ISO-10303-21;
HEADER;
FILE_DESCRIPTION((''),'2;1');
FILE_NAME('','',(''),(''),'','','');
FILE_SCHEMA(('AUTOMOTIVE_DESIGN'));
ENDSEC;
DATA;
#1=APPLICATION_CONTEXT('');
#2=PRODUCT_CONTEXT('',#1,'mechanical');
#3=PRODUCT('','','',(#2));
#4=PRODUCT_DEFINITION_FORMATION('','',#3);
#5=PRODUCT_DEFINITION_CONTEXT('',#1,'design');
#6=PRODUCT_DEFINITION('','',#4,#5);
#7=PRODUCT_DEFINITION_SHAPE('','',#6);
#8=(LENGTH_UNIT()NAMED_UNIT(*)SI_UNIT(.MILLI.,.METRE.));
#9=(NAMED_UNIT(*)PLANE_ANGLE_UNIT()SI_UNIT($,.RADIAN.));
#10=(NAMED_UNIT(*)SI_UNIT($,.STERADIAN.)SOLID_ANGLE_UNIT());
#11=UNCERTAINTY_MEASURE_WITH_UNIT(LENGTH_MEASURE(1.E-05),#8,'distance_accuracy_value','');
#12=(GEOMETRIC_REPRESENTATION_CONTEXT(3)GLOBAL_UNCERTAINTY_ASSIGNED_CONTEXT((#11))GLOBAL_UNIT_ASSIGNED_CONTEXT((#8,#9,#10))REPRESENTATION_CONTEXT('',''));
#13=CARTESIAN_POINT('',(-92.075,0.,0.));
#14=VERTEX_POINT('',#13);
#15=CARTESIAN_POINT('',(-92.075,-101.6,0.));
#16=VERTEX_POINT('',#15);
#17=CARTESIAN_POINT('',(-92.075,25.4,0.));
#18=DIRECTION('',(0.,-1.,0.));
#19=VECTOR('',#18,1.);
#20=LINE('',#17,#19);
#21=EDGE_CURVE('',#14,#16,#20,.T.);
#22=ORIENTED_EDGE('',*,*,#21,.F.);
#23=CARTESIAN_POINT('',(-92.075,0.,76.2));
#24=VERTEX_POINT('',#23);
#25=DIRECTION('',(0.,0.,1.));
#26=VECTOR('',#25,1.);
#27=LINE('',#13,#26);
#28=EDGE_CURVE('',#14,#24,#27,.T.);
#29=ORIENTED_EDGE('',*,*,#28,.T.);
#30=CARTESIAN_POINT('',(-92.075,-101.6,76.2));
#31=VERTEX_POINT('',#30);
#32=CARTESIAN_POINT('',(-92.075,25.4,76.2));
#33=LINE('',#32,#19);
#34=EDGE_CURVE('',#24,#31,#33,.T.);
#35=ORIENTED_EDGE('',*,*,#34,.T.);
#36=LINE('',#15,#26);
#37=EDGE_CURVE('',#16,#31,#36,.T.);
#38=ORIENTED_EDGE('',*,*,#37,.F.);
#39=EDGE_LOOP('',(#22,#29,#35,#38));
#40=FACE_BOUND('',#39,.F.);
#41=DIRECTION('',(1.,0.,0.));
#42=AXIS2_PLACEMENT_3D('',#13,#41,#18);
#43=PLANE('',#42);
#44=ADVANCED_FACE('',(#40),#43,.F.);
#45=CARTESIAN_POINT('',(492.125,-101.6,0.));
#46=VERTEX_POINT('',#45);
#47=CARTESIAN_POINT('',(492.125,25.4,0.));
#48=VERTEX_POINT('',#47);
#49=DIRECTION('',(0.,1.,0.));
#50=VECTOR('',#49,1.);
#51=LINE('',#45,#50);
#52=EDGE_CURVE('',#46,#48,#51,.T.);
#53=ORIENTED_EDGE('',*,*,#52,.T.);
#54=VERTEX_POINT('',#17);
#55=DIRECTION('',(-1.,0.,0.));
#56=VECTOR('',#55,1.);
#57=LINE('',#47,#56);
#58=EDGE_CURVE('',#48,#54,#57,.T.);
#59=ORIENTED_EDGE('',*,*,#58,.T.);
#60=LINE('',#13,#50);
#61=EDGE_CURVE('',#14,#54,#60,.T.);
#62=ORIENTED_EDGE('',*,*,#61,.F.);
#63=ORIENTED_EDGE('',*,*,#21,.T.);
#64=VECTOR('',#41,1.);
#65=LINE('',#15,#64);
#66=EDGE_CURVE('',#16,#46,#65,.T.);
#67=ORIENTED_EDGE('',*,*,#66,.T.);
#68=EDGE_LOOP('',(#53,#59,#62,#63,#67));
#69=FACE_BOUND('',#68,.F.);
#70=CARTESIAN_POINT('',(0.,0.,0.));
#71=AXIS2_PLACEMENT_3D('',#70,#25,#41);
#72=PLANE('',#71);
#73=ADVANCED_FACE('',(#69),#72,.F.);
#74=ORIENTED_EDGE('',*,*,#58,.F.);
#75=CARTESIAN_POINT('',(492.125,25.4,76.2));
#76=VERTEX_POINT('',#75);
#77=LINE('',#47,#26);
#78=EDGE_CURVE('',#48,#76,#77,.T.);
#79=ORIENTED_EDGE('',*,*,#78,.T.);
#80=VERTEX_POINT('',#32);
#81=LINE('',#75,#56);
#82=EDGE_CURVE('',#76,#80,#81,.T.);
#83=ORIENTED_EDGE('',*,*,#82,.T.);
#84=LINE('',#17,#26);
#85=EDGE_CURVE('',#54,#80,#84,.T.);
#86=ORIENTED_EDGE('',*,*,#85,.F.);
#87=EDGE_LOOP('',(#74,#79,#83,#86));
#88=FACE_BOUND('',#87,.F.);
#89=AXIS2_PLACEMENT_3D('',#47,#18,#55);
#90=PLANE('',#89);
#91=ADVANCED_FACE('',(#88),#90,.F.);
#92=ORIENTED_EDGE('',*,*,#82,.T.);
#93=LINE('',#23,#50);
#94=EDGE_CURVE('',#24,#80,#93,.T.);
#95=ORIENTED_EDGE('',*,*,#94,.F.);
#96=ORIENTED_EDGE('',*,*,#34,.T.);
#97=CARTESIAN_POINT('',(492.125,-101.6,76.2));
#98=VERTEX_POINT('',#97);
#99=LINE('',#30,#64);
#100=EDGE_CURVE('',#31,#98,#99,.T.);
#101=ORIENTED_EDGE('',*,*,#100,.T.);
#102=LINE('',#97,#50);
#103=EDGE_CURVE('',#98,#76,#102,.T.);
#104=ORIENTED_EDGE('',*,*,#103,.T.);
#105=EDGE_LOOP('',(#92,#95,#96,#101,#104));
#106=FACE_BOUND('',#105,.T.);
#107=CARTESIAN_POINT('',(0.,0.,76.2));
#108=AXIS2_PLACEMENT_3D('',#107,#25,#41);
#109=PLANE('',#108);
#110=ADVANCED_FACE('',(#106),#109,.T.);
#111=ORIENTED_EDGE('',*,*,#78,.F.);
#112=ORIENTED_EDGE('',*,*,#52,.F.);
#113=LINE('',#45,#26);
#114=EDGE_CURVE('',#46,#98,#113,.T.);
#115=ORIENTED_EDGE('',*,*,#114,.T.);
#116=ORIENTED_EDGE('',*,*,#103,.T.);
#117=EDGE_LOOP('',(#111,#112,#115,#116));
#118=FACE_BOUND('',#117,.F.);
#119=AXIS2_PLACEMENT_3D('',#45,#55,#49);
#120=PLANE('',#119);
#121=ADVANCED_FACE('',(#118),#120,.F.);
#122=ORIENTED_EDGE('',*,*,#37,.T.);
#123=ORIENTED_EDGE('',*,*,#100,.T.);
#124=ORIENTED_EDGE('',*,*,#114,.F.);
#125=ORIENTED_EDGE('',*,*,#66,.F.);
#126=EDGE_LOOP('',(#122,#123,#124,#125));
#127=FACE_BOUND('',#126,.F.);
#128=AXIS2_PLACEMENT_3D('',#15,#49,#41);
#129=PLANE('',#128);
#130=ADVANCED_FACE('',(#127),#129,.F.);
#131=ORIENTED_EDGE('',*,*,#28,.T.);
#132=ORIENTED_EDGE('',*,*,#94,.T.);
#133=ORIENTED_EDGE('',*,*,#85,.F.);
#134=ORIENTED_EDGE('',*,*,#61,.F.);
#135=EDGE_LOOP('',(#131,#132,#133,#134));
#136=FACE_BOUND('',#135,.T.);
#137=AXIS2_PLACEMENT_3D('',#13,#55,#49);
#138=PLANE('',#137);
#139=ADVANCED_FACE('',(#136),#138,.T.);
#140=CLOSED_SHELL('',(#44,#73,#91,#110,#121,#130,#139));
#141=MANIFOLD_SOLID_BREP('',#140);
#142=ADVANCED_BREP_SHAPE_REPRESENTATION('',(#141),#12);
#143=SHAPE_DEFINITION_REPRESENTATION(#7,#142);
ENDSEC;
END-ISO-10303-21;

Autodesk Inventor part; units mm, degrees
ref_plane "YZ Plane" through (0, 0, 0) normal (1, 0, 0) x (0, 1, 0)
ref_plane "XZ Plane" through (0, 0, 0) normal (0, 1, 0) x (-1, 0, 0)
ref_plane "XY Plane" through (0, 0, 0) normal (0, 0, 1) x (1, 0, 0)
sketch "Sketch1" plane through (0, 0, 0) normal (0, 0, 1) x (1, 0, 0)
  line L0 (0, 0) -> (-92.075, 0)
  line L1 (-92.075, 0) -> (-92.075, 25.4)
  line L2 (-92.075, 25.4) -> (-92.075, -101.6)
  line L3 (-92.075, -101.6) -> (492.125, -101.6)
  line L4 (492.125, -101.6) -> (492.125, 25.4)
  line L5 (492.125, 25.4) -> (-92.075, 25.4)
  dimension "d0" = 92.075
  dimension "d1" = 25.4
  dimension "d2" = 127
  dimension "d3" = 0
  dimension "d4" = 584.2
  dimension "d5" = 90
  dimension "d6" = 127
  dimension "d7" = 90
extrude "Extrusion1" add sketch "Sketch1" along normal blind 76.2
properties part number "BumperFront"
